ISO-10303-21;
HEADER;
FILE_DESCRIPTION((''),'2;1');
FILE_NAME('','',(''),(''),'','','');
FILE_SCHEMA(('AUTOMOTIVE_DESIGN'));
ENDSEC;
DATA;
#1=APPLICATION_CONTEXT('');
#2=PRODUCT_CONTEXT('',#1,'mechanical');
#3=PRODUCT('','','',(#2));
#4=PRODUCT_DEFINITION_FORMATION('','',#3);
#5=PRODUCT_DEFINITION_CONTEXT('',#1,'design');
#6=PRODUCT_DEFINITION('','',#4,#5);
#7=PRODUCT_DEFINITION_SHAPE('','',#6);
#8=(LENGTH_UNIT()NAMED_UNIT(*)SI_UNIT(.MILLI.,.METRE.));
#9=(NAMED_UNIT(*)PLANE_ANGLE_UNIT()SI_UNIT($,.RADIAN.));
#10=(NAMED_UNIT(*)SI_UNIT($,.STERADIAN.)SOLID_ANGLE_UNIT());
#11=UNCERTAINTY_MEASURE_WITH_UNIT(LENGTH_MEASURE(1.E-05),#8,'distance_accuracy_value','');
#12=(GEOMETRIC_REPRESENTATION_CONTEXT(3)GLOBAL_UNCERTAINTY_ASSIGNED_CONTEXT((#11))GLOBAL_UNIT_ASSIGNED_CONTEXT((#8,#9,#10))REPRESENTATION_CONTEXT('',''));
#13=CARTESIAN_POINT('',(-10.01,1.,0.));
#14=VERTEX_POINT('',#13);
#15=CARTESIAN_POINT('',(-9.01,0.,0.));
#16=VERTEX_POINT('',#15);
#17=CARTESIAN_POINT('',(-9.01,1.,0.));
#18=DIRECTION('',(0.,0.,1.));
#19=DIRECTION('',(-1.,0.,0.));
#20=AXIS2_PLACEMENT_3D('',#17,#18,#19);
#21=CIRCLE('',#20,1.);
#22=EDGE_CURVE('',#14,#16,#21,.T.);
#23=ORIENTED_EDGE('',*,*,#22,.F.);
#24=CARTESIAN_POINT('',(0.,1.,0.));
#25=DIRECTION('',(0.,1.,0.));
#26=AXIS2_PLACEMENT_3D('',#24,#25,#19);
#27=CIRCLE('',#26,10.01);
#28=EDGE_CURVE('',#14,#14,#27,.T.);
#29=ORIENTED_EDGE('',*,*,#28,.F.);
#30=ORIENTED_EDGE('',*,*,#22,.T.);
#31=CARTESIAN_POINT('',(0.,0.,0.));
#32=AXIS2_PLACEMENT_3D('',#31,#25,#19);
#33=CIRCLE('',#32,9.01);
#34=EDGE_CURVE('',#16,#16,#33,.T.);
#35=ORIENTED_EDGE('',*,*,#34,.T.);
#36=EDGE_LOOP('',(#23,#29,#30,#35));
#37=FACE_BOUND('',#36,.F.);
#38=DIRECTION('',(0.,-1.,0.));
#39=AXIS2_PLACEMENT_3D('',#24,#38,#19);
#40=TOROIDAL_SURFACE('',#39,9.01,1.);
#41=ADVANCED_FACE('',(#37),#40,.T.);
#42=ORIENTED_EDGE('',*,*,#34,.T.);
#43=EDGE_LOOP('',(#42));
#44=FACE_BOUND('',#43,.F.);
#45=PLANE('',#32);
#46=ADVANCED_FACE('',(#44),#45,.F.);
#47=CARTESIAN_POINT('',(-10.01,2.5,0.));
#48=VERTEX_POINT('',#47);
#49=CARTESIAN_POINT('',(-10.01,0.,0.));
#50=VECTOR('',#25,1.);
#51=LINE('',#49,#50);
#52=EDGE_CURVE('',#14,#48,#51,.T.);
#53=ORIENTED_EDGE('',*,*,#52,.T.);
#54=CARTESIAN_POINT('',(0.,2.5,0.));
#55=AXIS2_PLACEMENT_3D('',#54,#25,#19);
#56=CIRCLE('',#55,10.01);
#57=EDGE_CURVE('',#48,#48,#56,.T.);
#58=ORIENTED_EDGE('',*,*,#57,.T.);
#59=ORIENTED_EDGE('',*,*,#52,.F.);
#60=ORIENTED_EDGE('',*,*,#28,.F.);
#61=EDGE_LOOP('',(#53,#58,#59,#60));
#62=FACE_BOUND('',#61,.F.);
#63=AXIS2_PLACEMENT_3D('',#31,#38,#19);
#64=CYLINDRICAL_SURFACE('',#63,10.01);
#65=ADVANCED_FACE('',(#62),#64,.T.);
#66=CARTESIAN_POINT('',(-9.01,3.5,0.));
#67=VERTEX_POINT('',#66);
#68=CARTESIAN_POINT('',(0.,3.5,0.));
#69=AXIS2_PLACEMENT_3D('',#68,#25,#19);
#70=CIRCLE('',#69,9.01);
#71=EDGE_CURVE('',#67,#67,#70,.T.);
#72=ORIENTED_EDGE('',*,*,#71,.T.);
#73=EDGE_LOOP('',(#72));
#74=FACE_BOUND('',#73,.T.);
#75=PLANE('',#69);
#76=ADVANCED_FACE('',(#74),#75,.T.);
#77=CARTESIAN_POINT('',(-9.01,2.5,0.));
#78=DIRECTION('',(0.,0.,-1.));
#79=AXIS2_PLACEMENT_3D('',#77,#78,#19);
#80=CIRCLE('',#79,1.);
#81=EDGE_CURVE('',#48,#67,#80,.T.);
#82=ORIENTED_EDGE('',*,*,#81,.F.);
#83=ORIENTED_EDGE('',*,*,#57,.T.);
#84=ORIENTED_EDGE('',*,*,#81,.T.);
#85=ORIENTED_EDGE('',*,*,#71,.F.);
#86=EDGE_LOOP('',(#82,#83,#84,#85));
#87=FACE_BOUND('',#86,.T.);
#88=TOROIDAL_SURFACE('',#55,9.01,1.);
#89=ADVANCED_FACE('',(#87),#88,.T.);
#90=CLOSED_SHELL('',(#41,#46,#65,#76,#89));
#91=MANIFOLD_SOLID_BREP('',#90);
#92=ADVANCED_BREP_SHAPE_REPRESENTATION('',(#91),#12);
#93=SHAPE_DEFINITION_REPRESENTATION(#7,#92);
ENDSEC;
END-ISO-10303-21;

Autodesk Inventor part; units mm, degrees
ref_plane "YZ Plane" through (0, 0, 0) normal (1, 0, 0) x (0, 1, 0)
ref_plane "XZ Plane" through (0, 0, 0) normal (0, 1, 0) x (-1, 0, 0)
ref_plane "XY Plane" through (0, 0, 0) normal (0, 0, 1) x (1, 0, 0)
sketch "Sketch1" plane through (0, 0, 0) normal (0, 1, 0) x (-1, 0, 0)
  circle A0 centre (0, 0) radius 10.01
  dimension "d0" = 20.02
extrude "Extrusion1" add sketch "Sketch1" along normal blind 3.5
fillet "Fillet1" radius 1 1 edges at (10.01, 3.5, 0)
fillet "Fillet2" radius 1 1 edges at (10.01, 0, 0)
properties part number "Battery"
